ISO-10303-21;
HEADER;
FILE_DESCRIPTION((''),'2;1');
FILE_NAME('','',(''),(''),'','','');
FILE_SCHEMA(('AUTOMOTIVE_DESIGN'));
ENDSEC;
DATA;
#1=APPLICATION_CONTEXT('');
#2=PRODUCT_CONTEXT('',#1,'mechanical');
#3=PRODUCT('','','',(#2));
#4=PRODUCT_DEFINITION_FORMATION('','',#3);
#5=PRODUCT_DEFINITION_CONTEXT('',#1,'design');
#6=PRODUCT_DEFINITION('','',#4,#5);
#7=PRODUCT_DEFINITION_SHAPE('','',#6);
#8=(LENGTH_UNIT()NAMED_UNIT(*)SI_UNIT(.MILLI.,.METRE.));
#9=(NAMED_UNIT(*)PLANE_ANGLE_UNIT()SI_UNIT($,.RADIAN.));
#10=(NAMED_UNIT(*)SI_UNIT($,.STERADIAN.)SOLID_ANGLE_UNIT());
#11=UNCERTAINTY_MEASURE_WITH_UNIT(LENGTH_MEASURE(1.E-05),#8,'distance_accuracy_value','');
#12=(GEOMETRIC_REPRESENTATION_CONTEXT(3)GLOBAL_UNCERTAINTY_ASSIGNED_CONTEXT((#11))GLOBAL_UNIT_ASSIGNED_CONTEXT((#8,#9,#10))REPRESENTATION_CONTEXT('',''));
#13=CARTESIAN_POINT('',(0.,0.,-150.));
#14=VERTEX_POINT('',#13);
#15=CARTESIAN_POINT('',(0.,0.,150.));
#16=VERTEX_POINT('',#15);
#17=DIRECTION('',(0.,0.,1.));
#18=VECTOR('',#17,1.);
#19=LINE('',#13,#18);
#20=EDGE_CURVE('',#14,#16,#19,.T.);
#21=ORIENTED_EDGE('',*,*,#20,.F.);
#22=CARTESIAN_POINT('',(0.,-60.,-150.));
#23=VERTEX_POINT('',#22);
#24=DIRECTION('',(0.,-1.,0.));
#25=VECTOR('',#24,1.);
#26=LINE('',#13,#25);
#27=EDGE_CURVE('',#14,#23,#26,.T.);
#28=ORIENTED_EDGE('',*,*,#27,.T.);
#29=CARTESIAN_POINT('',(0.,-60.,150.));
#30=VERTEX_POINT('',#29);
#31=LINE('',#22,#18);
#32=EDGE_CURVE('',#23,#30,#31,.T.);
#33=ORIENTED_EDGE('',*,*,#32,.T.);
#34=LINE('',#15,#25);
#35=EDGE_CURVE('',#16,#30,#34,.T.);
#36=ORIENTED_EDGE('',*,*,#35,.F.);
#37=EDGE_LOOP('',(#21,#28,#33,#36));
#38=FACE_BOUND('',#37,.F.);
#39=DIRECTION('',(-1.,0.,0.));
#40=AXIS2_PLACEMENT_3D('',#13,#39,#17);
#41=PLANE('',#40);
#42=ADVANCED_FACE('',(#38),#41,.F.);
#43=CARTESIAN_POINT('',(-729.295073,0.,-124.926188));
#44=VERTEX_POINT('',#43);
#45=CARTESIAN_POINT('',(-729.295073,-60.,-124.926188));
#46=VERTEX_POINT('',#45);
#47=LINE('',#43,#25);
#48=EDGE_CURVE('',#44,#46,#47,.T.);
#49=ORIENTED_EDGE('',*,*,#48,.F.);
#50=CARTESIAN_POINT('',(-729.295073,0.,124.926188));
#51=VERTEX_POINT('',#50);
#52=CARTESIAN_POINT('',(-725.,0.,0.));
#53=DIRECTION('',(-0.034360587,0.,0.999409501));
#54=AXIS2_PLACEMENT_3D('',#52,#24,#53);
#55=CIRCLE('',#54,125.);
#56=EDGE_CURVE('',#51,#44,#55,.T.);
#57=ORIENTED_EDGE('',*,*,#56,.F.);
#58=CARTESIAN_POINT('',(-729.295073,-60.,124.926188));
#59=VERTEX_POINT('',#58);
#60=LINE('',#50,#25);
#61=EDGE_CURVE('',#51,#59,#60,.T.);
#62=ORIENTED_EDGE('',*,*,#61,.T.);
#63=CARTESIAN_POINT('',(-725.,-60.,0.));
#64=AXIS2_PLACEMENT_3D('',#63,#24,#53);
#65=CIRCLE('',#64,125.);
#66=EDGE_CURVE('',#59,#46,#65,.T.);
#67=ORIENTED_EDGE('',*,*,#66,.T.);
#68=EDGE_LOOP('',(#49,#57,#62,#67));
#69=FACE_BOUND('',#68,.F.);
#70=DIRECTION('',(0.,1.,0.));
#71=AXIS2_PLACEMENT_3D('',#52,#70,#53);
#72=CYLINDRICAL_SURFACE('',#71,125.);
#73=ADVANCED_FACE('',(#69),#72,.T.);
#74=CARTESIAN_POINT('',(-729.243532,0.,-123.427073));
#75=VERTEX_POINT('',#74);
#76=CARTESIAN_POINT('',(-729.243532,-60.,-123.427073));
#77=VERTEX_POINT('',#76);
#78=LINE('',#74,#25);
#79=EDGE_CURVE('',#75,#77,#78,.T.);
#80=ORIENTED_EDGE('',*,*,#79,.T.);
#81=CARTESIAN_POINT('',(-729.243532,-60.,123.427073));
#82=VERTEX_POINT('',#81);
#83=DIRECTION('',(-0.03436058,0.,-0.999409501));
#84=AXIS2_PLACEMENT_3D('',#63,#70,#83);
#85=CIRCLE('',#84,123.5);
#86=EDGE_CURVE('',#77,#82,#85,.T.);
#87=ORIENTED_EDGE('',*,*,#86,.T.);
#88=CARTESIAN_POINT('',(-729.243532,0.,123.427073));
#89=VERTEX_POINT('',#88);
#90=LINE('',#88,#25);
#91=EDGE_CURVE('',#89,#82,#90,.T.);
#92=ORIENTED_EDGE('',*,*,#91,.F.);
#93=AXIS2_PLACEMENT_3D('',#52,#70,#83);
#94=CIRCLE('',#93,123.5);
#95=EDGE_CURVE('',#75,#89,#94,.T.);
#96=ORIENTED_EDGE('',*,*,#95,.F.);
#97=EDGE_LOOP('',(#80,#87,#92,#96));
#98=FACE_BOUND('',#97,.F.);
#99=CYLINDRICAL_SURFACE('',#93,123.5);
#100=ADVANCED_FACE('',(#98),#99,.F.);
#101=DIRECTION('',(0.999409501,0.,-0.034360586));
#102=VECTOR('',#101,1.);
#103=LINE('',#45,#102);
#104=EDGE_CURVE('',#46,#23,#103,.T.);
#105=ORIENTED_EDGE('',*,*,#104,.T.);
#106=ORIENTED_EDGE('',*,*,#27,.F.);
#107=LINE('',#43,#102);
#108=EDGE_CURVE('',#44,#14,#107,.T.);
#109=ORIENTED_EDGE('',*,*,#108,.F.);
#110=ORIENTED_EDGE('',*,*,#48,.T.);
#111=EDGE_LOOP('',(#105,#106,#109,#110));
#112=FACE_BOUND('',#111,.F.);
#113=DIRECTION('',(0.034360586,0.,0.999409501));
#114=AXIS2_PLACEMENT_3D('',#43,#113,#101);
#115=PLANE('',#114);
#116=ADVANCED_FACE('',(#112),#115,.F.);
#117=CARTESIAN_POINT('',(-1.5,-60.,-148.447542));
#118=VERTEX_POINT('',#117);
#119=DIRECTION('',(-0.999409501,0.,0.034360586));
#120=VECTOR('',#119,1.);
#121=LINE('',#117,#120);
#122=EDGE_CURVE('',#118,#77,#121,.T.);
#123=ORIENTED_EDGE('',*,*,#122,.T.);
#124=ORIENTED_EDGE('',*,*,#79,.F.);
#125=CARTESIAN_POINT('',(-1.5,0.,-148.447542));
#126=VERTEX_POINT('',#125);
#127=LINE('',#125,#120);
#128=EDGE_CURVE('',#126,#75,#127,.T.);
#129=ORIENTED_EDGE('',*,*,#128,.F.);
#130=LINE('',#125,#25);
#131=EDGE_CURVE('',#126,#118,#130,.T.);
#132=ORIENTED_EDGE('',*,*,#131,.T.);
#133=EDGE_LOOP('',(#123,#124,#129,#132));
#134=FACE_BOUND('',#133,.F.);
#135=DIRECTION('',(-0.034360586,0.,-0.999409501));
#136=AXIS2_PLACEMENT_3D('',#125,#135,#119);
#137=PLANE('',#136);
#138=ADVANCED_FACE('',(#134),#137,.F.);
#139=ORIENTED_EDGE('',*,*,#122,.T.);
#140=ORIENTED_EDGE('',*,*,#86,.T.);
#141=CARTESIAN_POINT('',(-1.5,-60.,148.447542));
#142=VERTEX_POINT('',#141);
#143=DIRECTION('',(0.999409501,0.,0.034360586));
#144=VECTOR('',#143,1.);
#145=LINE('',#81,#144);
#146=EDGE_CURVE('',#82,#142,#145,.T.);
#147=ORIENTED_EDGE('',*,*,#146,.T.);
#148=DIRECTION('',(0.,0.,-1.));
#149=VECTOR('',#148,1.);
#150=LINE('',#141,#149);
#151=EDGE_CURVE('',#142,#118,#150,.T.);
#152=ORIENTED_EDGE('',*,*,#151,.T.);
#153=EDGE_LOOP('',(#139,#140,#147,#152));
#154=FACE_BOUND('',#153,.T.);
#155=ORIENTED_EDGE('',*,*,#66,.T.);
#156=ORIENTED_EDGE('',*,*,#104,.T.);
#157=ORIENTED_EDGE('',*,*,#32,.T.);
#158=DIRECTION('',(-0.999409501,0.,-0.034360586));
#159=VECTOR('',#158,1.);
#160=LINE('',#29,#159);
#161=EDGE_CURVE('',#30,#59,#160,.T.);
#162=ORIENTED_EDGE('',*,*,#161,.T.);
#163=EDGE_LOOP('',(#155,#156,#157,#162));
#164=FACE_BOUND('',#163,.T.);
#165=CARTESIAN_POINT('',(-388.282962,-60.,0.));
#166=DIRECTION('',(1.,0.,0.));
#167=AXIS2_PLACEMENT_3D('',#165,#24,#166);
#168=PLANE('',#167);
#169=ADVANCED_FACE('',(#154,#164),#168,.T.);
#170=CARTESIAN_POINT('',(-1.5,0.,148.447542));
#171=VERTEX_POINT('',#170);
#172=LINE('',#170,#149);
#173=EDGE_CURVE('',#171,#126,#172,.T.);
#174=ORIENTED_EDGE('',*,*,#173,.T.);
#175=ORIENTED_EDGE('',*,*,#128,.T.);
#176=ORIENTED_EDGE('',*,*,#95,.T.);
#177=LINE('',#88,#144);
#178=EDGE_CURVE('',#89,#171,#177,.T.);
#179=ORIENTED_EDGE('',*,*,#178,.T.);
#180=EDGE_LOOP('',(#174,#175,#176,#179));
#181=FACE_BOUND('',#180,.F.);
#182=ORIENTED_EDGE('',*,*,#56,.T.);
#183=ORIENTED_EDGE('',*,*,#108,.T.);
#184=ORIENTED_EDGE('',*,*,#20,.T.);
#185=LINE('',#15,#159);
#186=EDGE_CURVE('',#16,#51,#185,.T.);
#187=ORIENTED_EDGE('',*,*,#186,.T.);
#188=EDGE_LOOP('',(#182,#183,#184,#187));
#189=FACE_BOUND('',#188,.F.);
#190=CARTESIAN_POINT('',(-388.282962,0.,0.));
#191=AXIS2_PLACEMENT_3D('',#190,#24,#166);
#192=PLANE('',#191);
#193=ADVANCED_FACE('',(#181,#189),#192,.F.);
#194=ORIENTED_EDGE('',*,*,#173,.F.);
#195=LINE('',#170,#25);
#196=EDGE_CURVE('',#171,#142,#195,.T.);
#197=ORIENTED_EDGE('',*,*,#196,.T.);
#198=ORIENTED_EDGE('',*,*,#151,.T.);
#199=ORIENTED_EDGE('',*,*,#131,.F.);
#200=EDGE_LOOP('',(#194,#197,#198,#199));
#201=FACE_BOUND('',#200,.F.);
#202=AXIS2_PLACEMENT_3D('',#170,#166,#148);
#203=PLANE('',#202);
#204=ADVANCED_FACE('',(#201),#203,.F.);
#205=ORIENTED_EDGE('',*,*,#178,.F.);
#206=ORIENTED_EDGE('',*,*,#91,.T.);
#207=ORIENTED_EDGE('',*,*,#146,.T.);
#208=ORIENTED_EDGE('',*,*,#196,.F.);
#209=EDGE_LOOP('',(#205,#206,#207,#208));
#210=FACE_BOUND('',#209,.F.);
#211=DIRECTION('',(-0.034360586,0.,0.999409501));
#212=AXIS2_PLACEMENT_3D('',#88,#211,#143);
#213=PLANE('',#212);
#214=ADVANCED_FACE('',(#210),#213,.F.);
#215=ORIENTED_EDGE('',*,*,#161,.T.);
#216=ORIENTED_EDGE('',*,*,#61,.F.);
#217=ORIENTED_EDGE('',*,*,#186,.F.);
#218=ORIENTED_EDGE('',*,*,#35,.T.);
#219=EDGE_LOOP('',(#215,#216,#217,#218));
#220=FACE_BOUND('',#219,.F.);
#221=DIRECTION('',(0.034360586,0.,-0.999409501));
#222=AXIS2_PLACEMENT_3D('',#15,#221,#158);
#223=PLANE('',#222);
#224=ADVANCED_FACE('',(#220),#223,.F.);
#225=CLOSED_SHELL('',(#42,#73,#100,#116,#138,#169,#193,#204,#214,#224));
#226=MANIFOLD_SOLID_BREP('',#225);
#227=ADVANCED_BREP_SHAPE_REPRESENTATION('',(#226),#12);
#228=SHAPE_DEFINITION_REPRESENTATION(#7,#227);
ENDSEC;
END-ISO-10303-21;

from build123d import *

# Parameters (mm, degrees)
F1_DEPTH = 60


with BuildPart() as f1:
    # F0 (on Front) → F1 (new body)
    with BuildSketch(Plane.XZ):
        with BuildLine():
            Line((0, -150), (0, 0))
            Line((0, 0), (0, 150))
            Line((0, 150), (-729.295073, 124.926188))
            ThreePointArc((-729.295073, 124.926188), (-850, 0), (-729.295073, -124.926188))
            Line((-729.295073, -124.926188), (0, -150))
        make_face()
        with BuildLine():
            Line((-1.5, 148.447542), (-1.5, 0))
            Line((-1.5, 0), (-1.5, -148.447542))
            Line((-1.5, -148.447542), (-729.243532, -123.427073))
            ThreePointArc((-729.243532, -123.427073), (-848.5, 0), (-729.243532, 123.427073))
            Line((-729.243532, 123.427073), (-1.5, 148.447542))
        make_face(mode=Mode.SUBTRACT)
    extrude(amount=F1_DEPTH)


solid = f1.part
